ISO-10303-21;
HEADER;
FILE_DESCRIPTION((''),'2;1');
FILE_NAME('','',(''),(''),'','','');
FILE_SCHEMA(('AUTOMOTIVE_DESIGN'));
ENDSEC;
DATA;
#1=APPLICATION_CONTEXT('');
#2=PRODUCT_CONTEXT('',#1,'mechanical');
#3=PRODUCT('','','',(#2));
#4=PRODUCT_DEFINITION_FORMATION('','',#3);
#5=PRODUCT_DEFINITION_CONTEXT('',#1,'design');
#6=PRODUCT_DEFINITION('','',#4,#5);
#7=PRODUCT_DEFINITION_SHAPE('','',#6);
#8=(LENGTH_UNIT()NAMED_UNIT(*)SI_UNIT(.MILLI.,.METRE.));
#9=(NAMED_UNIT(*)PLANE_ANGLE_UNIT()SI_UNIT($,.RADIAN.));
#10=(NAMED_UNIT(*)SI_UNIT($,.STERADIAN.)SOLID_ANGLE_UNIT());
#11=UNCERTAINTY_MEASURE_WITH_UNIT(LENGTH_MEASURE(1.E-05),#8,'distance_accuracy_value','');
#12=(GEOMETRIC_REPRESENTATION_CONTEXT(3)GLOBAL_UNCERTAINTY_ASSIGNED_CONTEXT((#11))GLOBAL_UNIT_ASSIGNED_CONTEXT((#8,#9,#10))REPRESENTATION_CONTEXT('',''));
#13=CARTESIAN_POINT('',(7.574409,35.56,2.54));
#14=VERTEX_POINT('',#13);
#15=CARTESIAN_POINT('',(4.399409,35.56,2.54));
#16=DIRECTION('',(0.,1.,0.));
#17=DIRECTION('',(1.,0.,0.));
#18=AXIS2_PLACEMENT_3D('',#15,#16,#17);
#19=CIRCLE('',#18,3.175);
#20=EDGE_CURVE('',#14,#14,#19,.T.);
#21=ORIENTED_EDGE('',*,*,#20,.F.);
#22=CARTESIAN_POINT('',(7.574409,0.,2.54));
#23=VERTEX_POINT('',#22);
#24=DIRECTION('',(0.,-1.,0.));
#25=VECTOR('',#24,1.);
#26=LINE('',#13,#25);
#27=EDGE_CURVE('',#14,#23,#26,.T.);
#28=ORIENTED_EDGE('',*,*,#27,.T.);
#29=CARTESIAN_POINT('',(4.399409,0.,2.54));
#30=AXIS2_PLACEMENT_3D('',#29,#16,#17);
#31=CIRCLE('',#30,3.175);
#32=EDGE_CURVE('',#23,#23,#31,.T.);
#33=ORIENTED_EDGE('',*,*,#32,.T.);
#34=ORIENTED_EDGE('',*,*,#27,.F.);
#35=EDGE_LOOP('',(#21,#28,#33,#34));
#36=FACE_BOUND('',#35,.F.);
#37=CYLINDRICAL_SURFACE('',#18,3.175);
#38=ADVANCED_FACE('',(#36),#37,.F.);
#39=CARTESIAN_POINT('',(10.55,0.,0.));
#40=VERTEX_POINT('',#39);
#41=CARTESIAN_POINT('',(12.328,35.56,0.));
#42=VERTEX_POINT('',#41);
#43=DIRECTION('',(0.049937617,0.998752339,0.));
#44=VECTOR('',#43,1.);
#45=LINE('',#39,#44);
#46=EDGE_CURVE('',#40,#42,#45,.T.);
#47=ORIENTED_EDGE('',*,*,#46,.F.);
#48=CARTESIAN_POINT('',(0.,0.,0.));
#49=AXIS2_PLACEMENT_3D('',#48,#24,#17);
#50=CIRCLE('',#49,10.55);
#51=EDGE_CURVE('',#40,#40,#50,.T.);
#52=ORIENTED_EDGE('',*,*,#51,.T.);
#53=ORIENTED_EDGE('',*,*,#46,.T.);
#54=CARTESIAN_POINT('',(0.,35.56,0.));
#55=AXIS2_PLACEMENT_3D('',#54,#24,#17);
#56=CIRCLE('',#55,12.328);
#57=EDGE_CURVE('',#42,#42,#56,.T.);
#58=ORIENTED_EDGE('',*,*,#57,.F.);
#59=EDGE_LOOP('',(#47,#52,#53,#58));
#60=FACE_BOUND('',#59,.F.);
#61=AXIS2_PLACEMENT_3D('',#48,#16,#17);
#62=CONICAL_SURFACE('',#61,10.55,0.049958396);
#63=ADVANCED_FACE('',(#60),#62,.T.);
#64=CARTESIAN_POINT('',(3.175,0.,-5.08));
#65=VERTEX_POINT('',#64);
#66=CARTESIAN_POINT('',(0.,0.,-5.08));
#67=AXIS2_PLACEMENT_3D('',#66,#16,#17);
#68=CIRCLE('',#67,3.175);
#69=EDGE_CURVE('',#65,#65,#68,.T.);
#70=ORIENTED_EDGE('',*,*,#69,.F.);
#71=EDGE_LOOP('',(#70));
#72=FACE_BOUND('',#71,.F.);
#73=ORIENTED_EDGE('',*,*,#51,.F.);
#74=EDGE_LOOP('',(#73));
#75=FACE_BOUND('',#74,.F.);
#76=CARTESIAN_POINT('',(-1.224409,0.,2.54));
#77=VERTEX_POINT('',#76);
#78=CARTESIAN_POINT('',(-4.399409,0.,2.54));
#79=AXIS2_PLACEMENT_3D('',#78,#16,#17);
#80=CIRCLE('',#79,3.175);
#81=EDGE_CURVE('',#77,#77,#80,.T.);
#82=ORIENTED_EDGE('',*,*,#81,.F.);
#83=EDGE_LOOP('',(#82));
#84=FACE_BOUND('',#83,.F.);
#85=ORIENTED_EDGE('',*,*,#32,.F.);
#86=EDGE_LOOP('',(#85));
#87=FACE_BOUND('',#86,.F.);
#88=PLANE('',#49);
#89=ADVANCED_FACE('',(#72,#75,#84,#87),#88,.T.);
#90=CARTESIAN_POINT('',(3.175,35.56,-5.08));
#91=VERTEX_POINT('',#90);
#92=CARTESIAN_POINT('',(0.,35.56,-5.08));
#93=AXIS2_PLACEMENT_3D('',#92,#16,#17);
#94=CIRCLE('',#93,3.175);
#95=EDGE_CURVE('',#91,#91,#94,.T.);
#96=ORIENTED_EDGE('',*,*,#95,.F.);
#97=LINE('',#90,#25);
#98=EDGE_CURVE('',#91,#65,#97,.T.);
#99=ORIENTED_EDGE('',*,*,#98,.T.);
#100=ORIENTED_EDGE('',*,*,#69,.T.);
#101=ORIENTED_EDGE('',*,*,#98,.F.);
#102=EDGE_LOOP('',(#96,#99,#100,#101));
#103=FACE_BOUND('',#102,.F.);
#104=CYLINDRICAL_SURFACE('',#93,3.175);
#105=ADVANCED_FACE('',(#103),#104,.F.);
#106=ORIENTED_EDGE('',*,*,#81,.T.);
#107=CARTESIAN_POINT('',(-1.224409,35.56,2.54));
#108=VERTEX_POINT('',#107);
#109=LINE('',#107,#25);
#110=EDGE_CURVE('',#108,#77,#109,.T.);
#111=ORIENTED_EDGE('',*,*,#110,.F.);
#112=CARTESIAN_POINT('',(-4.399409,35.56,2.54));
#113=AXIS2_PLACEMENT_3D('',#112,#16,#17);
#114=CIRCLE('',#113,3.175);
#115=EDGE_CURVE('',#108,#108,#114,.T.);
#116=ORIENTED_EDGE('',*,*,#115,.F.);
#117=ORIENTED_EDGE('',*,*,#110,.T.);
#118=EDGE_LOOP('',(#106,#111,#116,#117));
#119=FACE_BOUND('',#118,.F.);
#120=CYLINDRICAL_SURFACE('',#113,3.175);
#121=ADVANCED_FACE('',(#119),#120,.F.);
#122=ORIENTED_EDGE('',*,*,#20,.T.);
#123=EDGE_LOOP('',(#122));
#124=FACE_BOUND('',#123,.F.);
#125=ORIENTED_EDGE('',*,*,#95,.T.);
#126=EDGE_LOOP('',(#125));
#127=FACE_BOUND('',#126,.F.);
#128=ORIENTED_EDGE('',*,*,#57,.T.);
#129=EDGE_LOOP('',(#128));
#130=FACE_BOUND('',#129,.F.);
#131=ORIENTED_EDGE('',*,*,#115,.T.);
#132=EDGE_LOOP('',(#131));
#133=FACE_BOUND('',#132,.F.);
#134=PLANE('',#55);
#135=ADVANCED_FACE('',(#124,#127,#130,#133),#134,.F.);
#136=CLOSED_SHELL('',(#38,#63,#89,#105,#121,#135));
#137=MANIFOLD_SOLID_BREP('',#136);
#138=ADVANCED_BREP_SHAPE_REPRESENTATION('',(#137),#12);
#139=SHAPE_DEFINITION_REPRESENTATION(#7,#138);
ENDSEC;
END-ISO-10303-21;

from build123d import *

# Parameters (mm, degrees)
SKETCH2_R               = 3.175
CUT_EXTRUDE1_DEPTH      = 1
CUT_EXTRUDE1_DEPTH_BACK = 36.56


with BuildPart() as part:
    # Sketch1 → Revolve1 (revolve)
    with BuildSketch(Plane.XY):
        Polygon((10.55, 0), (12.328, 35.56), (0, 35.56), (0, 0), align=None)
    revolve(axis=Axis((0, 35.56, 0), (0, -1, 0)))

    # Sketch2 → Cut-Extrude1 (cut, two sides)
    with BuildSketch(Plane(origin=(0, 35.56, 0), x_dir=(1, 0, 0), z_dir=(0, 1, 0))) as cut_extrude1_sk:
        with Locations((0, 5.08)):
            Circle(SKETCH2_R)
        with Locations((4.399409051, -2.54)):
            Circle(SKETCH2_R)
        with Locations((-4.399409051, -2.54)):
            Circle(SKETCH2_R)
    extrude(amount=CUT_EXTRUDE1_DEPTH, mode=Mode.SUBTRACT)
    extrude(cut_extrude1_sk.sketch, amount=-CUT_EXTRUDE1_DEPTH_BACK, mode=Mode.SUBTRACT)


solid = part.part
